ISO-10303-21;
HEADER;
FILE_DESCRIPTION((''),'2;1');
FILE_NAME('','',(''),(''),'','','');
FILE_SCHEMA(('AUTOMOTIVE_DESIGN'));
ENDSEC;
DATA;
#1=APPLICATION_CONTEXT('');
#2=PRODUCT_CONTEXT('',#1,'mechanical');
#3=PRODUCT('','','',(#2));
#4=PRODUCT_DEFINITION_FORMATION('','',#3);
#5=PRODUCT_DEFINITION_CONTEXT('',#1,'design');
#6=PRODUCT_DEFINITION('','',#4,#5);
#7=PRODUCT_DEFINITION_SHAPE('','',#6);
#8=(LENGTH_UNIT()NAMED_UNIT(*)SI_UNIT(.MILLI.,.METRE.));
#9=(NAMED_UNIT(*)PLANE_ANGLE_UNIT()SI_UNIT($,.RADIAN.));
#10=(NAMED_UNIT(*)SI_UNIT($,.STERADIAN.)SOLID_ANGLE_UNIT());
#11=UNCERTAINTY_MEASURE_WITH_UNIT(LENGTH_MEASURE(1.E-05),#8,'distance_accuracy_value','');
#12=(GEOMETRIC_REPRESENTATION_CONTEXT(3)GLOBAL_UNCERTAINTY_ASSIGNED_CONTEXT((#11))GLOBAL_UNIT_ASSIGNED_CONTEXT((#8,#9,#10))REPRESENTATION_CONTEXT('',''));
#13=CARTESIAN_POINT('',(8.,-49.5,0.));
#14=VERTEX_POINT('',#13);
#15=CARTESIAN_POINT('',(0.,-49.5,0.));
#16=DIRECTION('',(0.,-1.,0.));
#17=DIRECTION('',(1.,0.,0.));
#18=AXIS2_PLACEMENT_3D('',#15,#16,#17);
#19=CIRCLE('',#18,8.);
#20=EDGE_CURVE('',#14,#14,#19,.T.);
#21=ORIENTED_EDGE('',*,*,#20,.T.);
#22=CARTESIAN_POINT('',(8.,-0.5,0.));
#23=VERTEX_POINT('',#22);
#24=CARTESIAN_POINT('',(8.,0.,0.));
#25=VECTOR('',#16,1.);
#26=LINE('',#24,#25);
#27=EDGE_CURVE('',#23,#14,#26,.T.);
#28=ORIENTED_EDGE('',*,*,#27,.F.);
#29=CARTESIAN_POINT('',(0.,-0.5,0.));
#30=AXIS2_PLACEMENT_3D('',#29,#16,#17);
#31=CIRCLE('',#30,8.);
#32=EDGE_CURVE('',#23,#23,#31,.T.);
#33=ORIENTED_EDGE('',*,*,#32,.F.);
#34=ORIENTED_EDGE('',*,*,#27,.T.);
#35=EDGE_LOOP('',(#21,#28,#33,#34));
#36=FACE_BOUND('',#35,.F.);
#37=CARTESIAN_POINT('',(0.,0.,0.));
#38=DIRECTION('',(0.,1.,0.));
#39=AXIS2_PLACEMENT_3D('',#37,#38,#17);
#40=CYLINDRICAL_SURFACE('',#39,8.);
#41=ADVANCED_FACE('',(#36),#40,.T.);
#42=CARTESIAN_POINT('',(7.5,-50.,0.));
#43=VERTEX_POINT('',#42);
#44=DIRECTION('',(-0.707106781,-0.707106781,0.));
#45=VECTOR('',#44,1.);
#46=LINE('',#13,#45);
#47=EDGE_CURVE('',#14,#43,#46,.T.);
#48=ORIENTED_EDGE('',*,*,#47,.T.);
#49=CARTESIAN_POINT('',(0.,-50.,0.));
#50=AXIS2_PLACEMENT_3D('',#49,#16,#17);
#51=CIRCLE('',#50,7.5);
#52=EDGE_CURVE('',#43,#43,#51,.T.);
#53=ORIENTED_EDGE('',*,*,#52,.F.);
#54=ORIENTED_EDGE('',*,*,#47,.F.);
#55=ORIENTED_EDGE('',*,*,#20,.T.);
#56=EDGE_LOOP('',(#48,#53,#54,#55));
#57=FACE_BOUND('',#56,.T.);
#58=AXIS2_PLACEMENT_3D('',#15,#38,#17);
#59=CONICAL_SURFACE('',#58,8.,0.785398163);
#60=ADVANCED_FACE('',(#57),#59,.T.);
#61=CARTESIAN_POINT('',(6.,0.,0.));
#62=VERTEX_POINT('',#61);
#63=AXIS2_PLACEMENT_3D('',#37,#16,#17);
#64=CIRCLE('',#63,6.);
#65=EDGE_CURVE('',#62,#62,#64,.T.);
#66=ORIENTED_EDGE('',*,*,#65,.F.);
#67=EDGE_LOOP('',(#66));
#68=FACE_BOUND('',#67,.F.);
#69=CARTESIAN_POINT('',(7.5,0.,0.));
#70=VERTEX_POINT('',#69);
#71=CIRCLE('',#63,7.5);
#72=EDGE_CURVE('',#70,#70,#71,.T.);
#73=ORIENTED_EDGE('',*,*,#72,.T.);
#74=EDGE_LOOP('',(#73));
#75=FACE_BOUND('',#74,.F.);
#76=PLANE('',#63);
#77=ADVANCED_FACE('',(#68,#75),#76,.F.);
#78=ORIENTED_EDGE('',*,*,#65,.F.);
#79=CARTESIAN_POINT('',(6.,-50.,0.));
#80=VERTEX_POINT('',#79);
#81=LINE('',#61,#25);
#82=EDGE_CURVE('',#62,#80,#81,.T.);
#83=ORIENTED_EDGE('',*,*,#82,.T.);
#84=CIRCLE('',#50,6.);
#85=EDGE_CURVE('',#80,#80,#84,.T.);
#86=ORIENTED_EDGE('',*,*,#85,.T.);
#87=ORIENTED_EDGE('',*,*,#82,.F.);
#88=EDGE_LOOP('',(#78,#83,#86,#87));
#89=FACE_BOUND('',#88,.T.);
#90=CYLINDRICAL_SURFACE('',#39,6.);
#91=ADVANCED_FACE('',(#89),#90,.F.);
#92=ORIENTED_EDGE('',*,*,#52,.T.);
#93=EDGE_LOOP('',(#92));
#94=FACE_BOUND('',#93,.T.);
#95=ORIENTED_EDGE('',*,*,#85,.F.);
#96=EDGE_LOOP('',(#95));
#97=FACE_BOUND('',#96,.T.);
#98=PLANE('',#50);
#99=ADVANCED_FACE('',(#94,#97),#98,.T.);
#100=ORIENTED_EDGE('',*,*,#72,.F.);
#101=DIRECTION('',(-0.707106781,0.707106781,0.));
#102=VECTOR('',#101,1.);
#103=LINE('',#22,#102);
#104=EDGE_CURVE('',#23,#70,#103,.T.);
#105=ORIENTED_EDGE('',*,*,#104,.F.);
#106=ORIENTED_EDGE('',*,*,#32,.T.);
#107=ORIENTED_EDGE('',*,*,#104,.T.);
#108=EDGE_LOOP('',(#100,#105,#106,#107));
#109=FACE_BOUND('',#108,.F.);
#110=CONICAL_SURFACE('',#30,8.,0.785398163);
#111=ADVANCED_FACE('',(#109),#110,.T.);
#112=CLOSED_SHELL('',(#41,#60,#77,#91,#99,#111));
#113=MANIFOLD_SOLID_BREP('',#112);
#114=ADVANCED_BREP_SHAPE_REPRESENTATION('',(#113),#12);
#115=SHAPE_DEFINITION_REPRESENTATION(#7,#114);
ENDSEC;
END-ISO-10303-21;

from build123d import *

# Parameters (mm, degrees)
F0_R     = 8
F0_R_2   = 6
F1_DEPTH = 50
F2_SIZE  = 0.5


with BuildPart() as f1:
    # F0 (on Front) → F1 (new body)
    with BuildSketch(Plane.XZ):
        Circle(F0_R)
        Circle(F0_R_2, mode=Mode.SUBTRACT)
    extrude(amount=F1_DEPTH)

    # F2
    f2_edges = [f1.edges().sort_by_distance(p)[0] for p in [
        (-8, -50, 0),
        (-8, 0, 0),
    ]]
    chamfer(f2_edges, length=F2_SIZE)


solid = f1.part
